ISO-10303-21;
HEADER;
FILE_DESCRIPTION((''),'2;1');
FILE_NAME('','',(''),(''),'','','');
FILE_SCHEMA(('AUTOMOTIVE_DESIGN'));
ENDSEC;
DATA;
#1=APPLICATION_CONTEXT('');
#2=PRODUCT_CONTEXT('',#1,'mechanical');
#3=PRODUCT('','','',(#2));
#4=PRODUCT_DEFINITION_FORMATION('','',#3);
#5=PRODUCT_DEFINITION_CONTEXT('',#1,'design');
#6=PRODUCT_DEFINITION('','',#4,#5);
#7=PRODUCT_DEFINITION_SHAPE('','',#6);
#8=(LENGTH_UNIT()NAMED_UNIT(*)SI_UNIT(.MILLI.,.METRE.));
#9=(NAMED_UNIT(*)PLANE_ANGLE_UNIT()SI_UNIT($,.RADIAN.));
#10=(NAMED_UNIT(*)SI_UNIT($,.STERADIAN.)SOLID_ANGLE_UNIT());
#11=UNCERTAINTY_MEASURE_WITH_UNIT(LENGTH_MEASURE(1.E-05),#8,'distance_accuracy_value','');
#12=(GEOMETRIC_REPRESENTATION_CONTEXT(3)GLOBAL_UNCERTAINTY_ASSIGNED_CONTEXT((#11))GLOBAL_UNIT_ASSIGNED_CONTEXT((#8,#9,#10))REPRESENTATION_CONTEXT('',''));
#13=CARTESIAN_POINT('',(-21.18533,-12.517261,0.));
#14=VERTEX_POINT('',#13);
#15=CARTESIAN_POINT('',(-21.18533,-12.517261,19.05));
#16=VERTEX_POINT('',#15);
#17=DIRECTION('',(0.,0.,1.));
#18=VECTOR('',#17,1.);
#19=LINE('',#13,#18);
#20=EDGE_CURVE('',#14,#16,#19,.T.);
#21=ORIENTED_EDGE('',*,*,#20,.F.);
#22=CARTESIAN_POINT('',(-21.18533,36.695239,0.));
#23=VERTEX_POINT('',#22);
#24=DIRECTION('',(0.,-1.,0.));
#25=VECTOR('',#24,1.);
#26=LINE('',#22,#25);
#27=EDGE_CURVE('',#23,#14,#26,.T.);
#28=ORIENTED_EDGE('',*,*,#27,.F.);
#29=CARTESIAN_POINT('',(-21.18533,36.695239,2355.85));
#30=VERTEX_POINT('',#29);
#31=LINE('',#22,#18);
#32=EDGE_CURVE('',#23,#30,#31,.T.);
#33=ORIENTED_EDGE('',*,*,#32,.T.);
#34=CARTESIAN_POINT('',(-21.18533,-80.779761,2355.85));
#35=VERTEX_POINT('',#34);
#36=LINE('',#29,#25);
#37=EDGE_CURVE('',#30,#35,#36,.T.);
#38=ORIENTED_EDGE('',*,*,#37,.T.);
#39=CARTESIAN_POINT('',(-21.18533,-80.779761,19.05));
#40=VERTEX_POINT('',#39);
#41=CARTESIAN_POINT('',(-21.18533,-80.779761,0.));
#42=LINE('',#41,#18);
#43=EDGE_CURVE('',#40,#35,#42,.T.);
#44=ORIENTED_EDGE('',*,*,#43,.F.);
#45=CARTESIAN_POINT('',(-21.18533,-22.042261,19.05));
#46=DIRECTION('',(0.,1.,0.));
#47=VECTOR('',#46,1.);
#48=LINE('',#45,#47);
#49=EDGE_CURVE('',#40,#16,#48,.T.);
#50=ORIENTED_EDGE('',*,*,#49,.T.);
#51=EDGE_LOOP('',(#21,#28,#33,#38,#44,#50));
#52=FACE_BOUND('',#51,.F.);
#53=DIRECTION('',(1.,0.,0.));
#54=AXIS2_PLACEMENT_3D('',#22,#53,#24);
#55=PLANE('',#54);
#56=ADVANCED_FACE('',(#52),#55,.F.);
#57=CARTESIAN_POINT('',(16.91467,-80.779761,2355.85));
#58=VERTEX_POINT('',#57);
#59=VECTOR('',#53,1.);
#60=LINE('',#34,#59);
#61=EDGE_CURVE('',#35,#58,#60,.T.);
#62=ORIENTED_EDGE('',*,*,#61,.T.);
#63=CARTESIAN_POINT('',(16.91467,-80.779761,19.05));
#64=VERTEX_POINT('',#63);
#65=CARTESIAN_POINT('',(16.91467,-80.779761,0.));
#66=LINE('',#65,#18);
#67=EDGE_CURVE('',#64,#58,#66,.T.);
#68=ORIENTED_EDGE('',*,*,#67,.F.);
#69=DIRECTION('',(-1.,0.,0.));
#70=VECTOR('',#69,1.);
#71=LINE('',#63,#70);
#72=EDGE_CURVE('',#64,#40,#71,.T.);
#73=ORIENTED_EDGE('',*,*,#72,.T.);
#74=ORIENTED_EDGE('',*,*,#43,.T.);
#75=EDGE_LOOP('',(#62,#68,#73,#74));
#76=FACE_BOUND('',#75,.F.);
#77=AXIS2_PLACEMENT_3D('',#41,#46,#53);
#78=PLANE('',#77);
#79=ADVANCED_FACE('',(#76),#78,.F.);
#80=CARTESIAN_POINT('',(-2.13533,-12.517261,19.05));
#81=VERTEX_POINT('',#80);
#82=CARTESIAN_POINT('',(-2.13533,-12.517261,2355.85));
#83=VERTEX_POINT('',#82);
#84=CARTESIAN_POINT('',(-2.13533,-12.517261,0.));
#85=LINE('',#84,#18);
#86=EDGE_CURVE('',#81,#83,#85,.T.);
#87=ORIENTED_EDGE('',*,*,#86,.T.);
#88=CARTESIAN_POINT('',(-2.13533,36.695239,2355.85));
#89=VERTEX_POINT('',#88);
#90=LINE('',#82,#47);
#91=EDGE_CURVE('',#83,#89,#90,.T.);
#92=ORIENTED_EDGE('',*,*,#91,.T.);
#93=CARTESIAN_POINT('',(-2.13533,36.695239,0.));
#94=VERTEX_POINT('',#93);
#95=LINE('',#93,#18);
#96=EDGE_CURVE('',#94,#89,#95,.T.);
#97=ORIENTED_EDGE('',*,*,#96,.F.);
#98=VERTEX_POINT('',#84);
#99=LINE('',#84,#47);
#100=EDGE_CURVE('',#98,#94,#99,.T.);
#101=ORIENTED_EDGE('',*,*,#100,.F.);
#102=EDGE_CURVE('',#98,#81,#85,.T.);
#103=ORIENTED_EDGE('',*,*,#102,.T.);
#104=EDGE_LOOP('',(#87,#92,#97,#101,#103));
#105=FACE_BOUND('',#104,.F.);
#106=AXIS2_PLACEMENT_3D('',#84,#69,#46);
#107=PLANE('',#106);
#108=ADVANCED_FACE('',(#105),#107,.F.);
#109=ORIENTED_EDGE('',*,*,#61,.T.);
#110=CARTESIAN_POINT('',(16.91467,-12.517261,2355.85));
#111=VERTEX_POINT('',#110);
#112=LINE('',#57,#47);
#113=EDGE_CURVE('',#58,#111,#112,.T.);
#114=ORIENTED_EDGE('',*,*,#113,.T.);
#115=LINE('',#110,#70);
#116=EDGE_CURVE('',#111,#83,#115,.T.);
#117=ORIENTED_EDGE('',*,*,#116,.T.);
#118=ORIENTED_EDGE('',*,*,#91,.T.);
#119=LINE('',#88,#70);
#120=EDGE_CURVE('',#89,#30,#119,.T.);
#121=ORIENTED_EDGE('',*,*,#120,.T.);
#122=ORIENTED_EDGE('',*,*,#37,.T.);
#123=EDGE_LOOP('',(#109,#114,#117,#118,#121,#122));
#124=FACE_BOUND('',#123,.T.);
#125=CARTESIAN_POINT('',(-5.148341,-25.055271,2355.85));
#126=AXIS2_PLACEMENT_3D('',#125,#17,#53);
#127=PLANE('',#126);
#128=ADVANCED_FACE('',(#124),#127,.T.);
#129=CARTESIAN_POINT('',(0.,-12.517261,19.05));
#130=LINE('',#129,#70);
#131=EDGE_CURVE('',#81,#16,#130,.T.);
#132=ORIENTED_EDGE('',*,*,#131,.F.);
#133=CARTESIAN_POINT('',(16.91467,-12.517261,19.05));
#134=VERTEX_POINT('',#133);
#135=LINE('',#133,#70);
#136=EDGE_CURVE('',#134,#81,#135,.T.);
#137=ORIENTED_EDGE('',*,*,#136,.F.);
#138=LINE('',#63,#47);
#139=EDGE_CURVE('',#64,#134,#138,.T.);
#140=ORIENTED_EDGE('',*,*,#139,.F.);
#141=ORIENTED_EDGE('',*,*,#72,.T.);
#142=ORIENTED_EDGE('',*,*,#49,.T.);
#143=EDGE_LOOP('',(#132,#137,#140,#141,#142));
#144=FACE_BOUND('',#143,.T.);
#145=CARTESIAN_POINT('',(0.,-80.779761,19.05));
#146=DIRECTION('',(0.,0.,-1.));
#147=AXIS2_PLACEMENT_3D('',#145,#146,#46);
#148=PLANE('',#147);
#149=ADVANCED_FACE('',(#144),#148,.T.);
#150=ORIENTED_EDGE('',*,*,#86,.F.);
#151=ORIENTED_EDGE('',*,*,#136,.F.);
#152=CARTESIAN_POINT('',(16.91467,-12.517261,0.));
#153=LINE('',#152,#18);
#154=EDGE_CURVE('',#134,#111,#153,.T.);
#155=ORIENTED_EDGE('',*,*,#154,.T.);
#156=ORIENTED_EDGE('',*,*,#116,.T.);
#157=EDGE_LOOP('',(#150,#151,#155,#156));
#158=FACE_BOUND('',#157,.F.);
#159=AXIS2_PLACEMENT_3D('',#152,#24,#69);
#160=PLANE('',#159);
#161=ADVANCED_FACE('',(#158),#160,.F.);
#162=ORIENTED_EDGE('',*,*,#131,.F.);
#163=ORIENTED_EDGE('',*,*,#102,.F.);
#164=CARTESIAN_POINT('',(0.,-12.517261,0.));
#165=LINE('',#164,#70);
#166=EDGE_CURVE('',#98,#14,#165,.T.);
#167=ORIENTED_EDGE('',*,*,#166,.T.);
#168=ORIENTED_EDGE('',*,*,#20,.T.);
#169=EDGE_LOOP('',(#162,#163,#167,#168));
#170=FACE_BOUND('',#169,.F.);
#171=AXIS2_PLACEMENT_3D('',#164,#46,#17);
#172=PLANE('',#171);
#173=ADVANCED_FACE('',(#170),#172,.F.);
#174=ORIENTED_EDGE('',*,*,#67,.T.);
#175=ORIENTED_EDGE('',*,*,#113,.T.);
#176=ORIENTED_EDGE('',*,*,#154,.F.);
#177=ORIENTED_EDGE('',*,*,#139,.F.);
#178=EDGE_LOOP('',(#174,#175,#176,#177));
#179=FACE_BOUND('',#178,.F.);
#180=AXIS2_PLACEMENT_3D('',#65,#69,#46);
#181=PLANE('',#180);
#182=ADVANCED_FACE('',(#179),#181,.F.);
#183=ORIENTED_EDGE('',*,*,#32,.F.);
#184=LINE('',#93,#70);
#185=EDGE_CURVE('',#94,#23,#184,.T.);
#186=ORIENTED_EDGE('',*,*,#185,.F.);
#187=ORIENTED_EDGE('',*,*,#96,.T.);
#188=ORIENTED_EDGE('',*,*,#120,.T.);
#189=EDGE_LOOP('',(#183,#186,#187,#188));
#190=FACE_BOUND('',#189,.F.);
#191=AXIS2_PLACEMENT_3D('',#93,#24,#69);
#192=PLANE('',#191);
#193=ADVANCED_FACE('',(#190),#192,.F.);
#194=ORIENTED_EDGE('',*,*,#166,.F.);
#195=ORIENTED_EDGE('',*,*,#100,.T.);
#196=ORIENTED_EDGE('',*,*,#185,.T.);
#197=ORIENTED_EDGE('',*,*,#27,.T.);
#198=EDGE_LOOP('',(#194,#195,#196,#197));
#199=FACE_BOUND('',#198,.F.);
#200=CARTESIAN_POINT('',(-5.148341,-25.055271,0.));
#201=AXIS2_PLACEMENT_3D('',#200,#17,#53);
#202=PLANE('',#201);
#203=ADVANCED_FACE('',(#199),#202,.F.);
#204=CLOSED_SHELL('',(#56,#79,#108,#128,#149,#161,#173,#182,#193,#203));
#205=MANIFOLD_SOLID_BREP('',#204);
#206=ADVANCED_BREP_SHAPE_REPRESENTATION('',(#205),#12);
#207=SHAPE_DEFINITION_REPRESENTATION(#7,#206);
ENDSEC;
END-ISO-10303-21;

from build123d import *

# Parameters (mm, degrees)
F1_DEPTH      = 2355.85
F2_W          = 68.2625
F2_H          = 19.05
F3_DEPTH      = 21.1863303725
F3_DEPTH_BACK = 16.9156696275


with BuildPart() as f1:
    # F0 (on Top) → F1 (new body)
    with BuildSketch(Plane.XY):
        Polygon((-2.1353303725, -12.5172607846), (-2.1353303725, 36.6952392154), (-21.1853303725, 36.6952392154), (-21.1853303725, -80.7797607846), (16.9146696275, -80.7797607846), (16.9146696275, -12.5172607846), align=None)
    extrude(amount=F1_DEPTH)

    # F2 (on Right) → F3 (cut, two sides)
    with BuildSketch(Plane.YZ) as f3_sk:
        with Locations((-46.6485107846, 9.525)):
            Rectangle(F2_W, F2_H)
    extrude(amount=-F3_DEPTH, mode=Mode.SUBTRACT)
    extrude(f3_sk.sketch, amount=F3_DEPTH_BACK, mode=Mode.SUBTRACT)


solid = f1.part
